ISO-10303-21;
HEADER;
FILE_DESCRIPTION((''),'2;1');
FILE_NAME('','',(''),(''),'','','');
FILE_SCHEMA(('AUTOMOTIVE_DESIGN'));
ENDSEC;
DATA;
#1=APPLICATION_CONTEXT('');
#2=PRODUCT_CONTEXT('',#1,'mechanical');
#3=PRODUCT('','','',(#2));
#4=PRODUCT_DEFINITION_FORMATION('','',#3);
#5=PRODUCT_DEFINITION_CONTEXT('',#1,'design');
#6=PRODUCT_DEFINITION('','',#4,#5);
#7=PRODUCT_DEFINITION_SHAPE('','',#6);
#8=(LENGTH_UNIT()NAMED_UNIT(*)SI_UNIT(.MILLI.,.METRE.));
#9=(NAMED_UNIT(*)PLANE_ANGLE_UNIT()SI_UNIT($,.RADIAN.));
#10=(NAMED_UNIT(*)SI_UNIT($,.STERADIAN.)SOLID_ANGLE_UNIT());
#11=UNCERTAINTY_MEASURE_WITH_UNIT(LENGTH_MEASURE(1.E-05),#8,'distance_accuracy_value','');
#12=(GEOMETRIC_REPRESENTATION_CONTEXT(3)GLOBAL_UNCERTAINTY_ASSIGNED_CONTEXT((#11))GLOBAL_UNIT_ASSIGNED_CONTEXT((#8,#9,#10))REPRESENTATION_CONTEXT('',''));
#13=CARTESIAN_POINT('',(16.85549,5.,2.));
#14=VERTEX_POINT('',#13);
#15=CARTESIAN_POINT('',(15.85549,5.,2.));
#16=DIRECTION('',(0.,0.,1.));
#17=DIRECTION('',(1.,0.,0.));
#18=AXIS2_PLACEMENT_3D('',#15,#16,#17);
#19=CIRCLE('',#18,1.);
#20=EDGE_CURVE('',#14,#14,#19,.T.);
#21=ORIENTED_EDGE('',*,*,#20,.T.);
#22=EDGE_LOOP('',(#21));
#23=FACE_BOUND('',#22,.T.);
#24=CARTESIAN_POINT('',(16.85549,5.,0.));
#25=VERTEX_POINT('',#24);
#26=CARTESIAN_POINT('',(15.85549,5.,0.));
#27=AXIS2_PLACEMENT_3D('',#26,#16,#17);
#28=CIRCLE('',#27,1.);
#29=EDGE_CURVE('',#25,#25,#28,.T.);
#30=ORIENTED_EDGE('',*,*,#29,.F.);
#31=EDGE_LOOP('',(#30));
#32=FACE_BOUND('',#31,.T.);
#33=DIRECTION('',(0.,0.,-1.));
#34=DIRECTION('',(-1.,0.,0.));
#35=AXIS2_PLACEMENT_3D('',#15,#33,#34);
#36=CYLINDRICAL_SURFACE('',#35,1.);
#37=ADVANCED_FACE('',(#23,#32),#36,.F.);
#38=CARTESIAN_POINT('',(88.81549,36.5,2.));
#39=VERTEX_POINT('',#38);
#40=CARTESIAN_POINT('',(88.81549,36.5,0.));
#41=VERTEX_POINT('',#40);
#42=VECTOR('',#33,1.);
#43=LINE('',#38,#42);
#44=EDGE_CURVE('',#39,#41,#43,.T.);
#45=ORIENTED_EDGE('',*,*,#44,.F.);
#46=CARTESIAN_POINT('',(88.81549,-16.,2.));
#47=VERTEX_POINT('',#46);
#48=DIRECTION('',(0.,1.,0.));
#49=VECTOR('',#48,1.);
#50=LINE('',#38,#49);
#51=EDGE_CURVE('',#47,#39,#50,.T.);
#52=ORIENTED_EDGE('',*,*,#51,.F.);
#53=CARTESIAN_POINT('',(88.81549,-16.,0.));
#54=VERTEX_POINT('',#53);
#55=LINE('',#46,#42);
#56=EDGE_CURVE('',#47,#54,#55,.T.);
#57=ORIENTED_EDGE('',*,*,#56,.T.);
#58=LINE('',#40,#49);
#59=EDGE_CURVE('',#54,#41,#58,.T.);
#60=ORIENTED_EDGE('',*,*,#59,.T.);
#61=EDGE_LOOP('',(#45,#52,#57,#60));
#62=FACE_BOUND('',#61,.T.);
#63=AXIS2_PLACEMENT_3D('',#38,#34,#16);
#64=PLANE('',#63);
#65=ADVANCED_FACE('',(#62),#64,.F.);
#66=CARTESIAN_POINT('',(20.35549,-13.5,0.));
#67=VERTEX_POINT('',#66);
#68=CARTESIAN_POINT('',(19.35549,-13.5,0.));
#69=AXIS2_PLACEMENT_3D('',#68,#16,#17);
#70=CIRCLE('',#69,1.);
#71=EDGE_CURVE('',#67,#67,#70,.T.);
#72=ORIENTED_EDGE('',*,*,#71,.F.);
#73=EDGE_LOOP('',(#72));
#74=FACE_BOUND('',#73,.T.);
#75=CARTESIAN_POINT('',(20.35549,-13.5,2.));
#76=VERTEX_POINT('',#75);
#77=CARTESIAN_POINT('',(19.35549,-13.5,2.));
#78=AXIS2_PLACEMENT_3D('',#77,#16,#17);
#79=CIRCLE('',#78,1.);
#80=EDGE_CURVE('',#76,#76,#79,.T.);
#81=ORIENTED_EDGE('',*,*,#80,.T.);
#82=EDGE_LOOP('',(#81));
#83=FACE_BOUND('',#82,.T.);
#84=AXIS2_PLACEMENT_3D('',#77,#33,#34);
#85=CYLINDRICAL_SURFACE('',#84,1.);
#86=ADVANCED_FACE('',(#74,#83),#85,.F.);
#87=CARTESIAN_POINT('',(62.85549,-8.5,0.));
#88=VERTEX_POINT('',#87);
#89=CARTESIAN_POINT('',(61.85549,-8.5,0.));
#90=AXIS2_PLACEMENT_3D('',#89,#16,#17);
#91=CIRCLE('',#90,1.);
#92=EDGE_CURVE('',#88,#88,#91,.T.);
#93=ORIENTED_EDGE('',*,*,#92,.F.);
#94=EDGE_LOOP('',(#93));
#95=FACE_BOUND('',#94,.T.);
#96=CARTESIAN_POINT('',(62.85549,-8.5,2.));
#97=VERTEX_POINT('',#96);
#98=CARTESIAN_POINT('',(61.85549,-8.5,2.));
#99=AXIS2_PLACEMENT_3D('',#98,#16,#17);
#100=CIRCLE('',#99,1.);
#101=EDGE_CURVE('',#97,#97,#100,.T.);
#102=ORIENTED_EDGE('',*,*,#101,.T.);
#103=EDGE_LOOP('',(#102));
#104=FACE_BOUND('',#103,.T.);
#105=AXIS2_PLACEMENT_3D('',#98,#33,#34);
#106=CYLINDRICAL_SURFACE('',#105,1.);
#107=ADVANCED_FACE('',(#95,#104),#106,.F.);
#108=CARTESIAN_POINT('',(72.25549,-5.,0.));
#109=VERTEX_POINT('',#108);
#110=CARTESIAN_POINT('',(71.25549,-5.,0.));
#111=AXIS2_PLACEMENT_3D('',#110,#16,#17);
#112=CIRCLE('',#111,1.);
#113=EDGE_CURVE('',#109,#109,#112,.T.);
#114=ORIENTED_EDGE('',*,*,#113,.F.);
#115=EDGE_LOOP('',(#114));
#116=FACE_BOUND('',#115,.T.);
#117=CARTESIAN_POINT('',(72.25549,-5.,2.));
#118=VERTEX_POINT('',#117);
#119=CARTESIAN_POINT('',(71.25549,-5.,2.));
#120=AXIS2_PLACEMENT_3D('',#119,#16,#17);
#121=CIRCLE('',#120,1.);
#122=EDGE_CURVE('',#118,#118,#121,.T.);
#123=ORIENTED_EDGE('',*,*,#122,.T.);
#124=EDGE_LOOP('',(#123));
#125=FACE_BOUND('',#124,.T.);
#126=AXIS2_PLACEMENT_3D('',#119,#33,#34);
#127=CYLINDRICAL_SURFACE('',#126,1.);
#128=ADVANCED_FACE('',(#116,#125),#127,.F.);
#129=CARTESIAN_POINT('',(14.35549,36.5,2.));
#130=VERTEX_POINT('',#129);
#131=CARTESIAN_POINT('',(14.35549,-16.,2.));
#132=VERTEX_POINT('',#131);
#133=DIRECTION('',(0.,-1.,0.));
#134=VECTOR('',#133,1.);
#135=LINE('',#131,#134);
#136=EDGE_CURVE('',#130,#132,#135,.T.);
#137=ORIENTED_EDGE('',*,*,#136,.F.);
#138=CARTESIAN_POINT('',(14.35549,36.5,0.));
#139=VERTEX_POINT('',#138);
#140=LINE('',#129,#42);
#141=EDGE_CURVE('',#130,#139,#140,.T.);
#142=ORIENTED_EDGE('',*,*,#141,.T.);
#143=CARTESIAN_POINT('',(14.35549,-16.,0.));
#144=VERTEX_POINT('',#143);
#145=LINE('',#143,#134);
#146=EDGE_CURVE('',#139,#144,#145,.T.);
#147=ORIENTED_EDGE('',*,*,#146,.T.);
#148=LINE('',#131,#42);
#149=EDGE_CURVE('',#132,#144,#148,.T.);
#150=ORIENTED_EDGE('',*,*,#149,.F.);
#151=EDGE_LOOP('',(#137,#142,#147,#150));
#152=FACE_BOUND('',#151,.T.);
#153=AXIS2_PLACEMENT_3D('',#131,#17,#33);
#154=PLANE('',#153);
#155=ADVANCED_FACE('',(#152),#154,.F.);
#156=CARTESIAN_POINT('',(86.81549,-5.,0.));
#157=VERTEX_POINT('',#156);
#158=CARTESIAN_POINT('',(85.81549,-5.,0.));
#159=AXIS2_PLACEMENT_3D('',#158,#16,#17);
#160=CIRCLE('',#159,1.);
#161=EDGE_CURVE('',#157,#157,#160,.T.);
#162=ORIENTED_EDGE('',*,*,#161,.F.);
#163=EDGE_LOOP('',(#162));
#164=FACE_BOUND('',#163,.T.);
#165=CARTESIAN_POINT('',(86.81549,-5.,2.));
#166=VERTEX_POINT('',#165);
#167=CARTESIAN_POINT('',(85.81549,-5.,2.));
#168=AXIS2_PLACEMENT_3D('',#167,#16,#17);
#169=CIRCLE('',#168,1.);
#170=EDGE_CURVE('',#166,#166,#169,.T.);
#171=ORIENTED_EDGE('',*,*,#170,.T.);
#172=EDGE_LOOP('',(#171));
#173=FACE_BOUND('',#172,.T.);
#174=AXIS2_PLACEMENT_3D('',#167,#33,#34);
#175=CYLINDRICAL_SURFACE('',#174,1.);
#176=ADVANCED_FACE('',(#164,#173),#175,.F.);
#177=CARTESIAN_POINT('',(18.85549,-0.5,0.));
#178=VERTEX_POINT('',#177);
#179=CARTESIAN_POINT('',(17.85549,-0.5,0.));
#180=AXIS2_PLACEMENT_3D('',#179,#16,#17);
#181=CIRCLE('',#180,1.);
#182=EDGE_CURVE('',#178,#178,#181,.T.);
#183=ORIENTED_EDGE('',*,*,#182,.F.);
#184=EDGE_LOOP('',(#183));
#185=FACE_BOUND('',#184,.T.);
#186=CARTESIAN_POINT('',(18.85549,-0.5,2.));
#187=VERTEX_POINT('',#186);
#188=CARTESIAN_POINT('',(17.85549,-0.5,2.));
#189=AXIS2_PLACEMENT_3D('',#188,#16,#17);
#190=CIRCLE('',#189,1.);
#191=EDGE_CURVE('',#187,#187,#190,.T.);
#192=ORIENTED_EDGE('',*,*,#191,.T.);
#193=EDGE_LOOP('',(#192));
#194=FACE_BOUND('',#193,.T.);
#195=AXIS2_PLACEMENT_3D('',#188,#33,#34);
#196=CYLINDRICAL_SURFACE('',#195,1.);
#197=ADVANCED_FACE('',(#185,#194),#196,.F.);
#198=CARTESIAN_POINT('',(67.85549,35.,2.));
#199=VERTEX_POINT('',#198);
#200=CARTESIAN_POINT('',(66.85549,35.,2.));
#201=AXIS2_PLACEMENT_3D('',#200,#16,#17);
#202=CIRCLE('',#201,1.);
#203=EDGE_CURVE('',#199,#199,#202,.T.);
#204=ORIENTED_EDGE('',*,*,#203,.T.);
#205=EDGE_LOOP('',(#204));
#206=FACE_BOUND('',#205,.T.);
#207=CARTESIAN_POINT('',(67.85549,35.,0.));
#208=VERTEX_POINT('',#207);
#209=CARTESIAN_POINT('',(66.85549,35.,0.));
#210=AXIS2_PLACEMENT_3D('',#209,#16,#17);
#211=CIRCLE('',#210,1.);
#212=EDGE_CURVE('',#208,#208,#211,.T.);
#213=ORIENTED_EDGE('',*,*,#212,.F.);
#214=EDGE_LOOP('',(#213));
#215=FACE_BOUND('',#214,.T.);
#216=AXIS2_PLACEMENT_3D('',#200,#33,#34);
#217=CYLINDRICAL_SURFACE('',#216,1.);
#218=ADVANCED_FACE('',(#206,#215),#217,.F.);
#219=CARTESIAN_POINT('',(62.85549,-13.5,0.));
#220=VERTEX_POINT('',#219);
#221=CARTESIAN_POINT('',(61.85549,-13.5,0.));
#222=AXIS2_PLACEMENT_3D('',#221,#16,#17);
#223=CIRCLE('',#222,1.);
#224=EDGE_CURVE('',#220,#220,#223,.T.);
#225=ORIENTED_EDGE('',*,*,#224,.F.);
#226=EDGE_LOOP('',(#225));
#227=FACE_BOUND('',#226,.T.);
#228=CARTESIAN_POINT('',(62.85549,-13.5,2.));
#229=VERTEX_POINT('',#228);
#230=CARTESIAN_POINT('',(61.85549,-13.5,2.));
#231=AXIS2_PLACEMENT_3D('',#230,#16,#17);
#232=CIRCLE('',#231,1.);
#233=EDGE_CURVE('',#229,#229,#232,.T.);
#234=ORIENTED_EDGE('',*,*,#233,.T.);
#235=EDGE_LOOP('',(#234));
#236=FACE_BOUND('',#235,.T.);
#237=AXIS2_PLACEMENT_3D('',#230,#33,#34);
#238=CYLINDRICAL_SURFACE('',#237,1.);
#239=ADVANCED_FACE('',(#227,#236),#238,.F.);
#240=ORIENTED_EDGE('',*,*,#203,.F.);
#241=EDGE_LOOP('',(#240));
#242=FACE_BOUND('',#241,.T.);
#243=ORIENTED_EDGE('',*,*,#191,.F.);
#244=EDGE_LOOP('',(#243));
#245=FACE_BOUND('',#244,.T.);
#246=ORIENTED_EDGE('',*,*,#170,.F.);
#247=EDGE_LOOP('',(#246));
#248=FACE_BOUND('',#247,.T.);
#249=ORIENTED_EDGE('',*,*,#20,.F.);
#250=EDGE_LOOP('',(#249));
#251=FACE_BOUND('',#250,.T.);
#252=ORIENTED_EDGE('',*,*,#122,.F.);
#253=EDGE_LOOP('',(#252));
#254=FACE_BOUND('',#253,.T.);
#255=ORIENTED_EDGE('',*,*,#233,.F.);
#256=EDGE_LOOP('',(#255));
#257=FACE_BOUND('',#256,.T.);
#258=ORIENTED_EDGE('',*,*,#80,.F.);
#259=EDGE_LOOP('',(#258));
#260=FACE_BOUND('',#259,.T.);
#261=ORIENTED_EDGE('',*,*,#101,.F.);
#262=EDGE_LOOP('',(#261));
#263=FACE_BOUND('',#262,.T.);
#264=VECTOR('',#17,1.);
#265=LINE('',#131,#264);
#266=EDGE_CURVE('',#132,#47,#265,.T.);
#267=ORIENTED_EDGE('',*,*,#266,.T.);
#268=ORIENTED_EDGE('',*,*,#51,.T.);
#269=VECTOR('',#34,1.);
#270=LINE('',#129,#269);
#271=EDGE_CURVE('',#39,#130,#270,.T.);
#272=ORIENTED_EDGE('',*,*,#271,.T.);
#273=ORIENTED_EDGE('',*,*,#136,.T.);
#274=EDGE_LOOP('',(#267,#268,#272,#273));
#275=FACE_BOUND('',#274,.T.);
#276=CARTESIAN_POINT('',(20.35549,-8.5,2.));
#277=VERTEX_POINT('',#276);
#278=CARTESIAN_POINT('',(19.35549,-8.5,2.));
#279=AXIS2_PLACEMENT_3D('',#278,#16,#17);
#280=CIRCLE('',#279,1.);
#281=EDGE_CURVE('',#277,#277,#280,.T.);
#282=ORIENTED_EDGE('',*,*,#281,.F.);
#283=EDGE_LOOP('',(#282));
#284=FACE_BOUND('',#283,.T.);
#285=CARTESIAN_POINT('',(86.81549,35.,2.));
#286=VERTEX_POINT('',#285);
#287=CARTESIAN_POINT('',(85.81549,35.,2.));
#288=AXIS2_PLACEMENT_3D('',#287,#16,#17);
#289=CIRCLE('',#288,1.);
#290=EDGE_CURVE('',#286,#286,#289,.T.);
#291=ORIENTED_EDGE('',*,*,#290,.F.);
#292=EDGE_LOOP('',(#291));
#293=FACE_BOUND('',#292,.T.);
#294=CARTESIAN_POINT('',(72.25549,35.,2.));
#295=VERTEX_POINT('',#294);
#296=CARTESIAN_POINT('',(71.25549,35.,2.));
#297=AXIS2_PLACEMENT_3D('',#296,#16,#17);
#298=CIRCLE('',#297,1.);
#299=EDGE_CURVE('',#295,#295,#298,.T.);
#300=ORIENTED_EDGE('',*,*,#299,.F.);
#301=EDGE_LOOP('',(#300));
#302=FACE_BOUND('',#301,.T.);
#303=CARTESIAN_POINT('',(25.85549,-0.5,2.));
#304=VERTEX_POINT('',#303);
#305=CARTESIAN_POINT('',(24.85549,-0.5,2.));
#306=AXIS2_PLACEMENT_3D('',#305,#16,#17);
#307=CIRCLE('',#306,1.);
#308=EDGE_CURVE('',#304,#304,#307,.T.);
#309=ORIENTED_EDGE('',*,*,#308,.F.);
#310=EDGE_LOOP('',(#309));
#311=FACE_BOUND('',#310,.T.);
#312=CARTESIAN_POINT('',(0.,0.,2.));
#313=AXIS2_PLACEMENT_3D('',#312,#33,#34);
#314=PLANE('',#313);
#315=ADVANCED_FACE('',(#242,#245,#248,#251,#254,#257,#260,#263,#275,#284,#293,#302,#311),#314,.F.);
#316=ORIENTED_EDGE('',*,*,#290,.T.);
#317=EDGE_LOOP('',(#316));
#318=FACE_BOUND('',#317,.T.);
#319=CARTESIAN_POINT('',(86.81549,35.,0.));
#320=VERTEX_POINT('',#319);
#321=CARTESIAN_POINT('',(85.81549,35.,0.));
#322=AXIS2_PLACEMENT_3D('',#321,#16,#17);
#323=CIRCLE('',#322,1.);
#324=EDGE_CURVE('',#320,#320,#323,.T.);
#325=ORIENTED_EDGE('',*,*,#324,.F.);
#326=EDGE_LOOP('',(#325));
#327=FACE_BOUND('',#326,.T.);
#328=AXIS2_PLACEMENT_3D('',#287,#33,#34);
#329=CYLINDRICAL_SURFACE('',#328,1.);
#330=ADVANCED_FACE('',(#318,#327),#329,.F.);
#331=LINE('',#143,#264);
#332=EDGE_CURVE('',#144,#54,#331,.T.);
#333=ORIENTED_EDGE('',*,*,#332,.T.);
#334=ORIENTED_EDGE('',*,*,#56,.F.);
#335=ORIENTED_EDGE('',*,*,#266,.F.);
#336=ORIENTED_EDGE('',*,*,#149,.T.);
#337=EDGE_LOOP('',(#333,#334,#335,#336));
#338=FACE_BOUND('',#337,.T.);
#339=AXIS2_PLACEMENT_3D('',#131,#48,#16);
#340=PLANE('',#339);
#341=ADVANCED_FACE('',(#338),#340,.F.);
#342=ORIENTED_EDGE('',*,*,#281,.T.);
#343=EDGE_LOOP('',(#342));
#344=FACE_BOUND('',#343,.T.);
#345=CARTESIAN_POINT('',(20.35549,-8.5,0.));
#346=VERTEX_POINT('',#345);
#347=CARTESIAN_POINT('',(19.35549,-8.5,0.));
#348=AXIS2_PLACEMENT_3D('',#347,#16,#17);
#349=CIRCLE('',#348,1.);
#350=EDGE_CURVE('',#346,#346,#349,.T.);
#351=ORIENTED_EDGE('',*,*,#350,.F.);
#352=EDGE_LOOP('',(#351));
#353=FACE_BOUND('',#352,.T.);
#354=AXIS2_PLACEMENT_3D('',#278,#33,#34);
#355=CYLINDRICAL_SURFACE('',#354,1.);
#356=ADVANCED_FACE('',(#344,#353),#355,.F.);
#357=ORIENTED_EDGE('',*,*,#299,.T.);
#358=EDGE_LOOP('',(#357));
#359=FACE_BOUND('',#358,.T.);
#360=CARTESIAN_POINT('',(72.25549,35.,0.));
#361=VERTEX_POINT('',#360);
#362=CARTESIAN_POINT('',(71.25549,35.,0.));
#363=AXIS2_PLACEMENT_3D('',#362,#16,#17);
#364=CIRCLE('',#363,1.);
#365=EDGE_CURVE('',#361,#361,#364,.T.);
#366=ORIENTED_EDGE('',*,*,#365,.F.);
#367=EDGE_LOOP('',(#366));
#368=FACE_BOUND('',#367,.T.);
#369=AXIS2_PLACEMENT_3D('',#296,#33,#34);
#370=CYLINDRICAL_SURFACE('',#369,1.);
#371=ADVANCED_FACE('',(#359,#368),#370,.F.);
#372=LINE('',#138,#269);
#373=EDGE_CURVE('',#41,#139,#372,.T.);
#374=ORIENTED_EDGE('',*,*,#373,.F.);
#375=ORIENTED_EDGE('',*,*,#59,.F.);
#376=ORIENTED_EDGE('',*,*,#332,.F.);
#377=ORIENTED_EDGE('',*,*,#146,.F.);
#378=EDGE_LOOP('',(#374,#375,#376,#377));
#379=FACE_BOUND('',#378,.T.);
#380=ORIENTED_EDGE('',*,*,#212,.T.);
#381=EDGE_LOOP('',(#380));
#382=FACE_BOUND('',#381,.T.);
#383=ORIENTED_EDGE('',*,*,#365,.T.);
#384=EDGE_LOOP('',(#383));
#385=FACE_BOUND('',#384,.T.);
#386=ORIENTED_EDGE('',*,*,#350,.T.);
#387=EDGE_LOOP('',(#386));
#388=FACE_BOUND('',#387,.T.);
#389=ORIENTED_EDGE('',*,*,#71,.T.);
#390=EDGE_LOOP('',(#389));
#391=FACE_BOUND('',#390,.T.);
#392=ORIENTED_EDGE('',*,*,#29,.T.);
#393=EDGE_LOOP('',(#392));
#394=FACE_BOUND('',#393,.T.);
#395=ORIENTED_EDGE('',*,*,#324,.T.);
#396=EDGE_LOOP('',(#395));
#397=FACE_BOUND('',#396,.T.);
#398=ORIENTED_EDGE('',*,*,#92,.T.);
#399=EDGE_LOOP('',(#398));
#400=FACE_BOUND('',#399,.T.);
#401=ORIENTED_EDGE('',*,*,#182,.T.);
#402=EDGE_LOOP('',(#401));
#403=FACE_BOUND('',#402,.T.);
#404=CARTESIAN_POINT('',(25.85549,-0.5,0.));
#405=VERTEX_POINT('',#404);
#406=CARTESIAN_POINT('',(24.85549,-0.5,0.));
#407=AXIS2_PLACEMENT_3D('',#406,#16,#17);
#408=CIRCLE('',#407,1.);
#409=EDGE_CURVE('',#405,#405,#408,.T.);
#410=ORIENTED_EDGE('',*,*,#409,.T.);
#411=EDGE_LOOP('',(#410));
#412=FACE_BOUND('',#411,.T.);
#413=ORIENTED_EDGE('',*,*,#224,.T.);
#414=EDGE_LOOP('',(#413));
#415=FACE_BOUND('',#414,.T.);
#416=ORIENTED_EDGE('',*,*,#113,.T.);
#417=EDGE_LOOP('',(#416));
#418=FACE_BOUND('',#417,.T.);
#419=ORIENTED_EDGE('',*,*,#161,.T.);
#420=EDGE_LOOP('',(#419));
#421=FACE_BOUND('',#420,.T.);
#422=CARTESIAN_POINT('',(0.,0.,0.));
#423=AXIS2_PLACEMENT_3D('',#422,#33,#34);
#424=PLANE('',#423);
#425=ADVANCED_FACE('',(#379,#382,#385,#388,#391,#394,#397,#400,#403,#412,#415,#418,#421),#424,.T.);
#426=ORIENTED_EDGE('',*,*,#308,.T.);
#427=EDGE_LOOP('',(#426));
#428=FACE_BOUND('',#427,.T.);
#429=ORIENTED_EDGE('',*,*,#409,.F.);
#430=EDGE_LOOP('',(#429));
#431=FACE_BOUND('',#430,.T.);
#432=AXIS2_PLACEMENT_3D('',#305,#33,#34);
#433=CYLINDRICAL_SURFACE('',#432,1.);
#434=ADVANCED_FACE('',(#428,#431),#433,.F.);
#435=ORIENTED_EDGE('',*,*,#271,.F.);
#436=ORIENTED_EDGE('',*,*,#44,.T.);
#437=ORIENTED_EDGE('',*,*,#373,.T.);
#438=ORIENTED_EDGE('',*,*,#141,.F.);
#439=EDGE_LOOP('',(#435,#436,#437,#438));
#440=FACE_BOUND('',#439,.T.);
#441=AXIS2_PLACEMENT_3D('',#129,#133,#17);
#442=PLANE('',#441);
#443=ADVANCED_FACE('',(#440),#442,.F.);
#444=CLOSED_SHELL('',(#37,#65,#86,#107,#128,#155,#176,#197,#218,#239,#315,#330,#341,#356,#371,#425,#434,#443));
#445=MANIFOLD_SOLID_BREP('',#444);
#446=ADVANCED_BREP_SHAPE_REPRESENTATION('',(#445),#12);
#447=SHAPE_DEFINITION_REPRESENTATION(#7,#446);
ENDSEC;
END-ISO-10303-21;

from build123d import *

# Parameters (mm, degrees)
SKETCH2_W           = 74.46
SKETCH2_H           = 52.500000064
SKETCH2_R           = 1
BOSS_EXTRUDE1_DEPTH = 2


with BuildPart() as part:
    # Sketch2 → Boss-Extrude1 (new body)
    with BuildSketch(Plane.XY):
        with Locations((51.585490461, 10.250000032)):
            Rectangle(SKETCH2_W, SKETCH2_H)
        with Locations((66.855490461, 35.000000064)):
            Circle(SKETCH2_R, mode=Mode.SUBTRACT)
        with Locations((15.855490461, 5.000000064)):
            Circle(SKETCH2_R, mode=Mode.SUBTRACT)
        with Locations((85.815490461, 35.000000064)):
            Circle(SKETCH2_R, mode=Mode.SUBTRACT)
        with Locations((85.815490461, -5.000000191)):
            Circle(SKETCH2_R, mode=Mode.SUBTRACT)
        with BuildLine():
            ThreePointArc((71.255490461, -4.000000191), (70.255490461, -5.000000191), (71.255490461, -6.000000191))
            ThreePointArc((71.255490461, -6.000000191), (72.255490461, -5.000000191), (71.255490461, -4.000000191))
        make_face(mode=Mode.SUBTRACT)
        with BuildLine():
            ThreePointArc((18.355490461, -13.5), (19.355490461, -14.5), (20.355490461, -13.5))
            ThreePointArc((20.355490461, -13.5), (19.355490461, -12.5), (18.355490461, -13.5))
        make_face(mode=Mode.SUBTRACT)
        with BuildLine():
            ThreePointArc((18.355490461, -8.5), (19.355490461, -9.5), (20.355490461, -8.5))
            ThreePointArc((20.355490461, -8.5), (19.355490461, -7.5), (18.355490461, -8.5))
        make_face(mode=Mode.SUBTRACT)
        with BuildLine():
            ThreePointArc((17.855490461, 0.500000064), (16.855490461, -0.499999936), (17.855490461, -1.499999936))
            ThreePointArc((17.855490461, -1.499999936), (18.855490461, -0.499999936), (17.855490461, 0.500000064))
        make_face(mode=Mode.SUBTRACT)
        with BuildLine():
            ThreePointArc((24.855490461, 0.500000064), (23.855490461, -0.499999936), (24.855490461, -1.499999936))
            ThreePointArc((24.855490461, -1.499999936), (25.855490461, -0.499999936), (24.855490461, 0.500000064))
        make_face(mode=Mode.SUBTRACT)
        with BuildLine():
            ThreePointArc((60.855490461, -13.5), (61.855490461, -14.5), (62.855490461, -13.5))
            ThreePointArc((62.855490461, -13.5), (61.855490461, -12.5), (60.855490461, -13.5))
        make_face(mode=Mode.SUBTRACT)
        with BuildLine():
            ThreePointArc((62.855490461, -8.5), (61.855490461, -7.5), (60.855490461, -8.5))
            ThreePointArc((60.855490461, -8.5), (61.855490461, -9.5), (62.855490461, -8.5))
        make_face(mode=Mode.SUBTRACT)
        with BuildLine():
            ThreePointArc((71.255490461, 34.000000064), (72.255490461, 35.000000064), (71.255490461, 36.000000064))
            ThreePointArc((71.255490461, 36.000000064), (70.255490461, 35.000000064), (71.255490461, 34.000000064))
        make_face(mode=Mode.SUBTRACT)
    extrude(amount=BOSS_EXTRUDE1_DEPTH)


solid = part.part
